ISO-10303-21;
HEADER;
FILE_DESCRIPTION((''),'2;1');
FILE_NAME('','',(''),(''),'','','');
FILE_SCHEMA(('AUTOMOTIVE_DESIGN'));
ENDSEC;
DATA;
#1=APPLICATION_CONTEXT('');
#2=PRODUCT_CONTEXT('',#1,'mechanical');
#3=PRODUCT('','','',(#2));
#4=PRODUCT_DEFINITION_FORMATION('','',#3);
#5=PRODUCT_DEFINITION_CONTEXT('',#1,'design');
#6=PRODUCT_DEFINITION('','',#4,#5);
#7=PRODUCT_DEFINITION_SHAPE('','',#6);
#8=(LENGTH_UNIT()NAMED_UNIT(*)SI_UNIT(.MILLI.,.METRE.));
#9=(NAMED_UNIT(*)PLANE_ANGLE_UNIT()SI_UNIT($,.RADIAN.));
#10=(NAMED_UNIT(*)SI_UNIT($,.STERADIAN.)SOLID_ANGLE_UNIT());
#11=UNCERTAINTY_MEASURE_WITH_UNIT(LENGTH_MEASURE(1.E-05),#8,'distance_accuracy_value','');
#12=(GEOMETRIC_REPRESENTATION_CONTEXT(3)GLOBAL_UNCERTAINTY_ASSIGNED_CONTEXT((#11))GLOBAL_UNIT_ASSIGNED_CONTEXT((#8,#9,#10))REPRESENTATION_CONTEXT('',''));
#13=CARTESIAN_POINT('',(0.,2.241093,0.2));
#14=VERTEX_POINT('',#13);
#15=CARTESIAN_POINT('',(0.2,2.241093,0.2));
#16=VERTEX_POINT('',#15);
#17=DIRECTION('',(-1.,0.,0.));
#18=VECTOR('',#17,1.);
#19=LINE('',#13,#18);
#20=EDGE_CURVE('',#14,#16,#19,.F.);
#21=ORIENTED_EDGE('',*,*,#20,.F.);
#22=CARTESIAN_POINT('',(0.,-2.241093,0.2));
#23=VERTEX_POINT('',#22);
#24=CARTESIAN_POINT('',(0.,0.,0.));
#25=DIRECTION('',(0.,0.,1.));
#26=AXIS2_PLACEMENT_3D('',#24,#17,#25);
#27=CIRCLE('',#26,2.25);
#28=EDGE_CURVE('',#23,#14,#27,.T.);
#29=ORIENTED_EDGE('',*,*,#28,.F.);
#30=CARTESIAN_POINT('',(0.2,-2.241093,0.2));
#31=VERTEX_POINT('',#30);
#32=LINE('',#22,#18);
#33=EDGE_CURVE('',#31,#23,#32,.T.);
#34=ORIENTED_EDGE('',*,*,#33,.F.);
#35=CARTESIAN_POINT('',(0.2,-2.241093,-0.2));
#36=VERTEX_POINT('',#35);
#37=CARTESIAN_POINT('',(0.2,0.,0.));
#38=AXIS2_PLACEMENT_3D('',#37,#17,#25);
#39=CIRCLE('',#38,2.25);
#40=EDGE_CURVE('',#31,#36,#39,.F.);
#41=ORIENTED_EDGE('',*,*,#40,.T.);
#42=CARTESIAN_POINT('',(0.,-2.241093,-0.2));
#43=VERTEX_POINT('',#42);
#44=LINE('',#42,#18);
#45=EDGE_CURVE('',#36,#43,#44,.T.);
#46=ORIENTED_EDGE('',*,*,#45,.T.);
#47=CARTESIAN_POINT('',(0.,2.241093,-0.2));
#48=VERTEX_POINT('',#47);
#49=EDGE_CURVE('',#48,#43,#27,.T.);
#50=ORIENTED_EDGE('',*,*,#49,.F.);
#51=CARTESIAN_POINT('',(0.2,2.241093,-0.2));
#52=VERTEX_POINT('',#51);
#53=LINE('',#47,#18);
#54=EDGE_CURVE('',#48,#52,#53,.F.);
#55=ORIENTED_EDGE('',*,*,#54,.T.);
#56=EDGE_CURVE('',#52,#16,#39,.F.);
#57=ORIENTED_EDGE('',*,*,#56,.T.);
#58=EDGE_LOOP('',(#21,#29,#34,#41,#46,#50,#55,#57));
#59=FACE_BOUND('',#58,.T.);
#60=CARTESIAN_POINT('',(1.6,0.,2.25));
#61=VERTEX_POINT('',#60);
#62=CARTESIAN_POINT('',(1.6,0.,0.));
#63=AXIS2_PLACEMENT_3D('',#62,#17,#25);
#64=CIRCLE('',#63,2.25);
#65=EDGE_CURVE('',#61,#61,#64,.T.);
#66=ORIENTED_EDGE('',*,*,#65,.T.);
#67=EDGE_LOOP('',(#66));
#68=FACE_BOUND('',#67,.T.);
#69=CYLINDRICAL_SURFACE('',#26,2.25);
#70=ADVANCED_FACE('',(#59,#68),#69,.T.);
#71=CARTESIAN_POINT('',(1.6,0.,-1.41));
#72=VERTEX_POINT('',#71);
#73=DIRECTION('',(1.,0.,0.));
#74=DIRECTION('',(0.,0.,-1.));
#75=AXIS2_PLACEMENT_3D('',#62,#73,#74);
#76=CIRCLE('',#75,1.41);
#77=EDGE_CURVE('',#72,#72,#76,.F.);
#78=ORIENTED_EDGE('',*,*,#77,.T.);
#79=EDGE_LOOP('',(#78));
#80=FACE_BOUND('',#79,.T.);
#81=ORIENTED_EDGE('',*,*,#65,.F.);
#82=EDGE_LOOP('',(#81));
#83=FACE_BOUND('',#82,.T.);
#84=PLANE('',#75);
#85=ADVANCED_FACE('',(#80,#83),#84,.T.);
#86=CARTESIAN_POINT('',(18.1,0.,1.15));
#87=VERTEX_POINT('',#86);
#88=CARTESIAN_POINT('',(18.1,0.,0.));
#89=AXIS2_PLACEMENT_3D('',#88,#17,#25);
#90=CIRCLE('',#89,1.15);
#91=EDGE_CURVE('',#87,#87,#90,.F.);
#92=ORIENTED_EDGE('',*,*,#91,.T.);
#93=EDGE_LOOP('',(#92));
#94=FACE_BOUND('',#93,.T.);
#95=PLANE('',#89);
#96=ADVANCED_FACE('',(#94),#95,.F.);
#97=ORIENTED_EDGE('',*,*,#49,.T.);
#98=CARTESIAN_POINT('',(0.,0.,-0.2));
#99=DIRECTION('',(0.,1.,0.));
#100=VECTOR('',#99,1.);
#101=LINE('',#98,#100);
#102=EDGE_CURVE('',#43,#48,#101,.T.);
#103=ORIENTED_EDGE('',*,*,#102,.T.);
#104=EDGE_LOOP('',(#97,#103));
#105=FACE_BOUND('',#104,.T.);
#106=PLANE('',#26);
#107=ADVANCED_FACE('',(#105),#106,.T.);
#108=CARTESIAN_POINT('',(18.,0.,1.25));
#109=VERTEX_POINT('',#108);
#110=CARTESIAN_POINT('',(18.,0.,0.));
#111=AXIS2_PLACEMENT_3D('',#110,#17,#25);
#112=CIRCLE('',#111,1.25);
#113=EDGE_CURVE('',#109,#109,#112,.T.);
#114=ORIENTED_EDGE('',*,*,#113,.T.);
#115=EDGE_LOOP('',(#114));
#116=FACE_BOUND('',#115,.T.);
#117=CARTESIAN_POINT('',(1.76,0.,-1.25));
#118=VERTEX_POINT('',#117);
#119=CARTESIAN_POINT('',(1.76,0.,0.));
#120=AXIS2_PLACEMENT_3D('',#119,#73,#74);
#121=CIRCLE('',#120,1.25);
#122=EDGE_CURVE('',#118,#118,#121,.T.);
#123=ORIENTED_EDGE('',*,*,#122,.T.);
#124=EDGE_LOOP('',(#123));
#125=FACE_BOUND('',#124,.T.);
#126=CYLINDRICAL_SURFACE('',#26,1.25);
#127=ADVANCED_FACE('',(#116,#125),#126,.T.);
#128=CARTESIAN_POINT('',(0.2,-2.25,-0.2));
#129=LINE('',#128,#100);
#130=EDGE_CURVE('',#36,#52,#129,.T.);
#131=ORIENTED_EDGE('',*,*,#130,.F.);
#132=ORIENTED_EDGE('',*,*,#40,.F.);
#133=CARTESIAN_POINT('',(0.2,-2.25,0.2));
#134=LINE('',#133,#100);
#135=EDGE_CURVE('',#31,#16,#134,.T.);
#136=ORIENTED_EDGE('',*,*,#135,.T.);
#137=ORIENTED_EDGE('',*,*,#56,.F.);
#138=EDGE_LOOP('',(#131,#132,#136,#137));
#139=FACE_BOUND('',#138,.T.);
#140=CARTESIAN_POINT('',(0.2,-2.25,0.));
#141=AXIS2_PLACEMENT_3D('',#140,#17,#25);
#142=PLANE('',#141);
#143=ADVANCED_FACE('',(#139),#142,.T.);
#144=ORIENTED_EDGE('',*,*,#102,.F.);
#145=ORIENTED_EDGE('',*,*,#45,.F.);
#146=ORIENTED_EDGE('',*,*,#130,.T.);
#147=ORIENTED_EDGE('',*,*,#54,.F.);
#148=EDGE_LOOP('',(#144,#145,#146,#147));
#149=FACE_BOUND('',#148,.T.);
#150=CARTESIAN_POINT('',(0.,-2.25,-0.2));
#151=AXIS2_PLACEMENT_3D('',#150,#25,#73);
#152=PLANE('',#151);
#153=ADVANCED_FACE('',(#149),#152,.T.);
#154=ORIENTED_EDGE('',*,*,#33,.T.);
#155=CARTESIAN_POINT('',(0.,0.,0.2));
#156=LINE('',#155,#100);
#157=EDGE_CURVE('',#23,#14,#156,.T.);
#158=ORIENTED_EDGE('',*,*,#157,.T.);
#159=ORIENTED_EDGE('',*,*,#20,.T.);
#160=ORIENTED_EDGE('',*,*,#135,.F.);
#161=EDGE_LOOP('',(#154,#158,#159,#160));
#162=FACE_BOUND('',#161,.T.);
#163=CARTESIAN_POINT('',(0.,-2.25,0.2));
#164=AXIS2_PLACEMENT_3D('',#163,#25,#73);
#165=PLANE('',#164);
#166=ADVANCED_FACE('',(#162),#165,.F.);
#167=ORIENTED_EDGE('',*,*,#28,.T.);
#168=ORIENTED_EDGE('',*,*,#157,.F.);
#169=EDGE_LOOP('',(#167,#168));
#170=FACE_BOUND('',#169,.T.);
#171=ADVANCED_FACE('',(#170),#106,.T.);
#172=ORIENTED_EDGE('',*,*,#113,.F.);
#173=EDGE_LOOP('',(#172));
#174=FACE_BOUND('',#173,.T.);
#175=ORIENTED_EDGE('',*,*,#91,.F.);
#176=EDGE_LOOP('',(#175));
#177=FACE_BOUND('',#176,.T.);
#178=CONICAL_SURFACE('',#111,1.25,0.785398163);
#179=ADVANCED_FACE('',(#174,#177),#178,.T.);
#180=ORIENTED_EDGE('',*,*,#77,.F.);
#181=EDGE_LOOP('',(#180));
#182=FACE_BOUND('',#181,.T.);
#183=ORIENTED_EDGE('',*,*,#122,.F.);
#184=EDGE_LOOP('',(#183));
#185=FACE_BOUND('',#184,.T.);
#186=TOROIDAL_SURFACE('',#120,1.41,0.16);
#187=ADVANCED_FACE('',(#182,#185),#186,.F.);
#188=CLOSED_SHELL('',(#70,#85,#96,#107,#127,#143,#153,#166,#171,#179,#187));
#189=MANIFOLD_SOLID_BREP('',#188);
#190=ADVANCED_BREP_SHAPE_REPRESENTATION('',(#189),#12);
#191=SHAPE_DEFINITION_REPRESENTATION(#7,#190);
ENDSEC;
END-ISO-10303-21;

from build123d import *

# Parameters (mm, degrees)
CHAMFER1_SIZE       = 0.1
FILLET1_R           = 0.16
EXTRUDE1_DEPTH      = 19.377567848
EXTRUDE1_DEPTH_BACK = 19.377567848
SKETCH2_W           = 0.2
SKETCH2_H           = 0.2


with BuildPart() as part:
    # Sketch1 → Revolve1 (revolve)
    with BuildSketch(Plane.XY, mode=Mode.PRIVATE) as revolve1_sk:
        Polygon((0, 2.25), (0, 0), (18.1, 0), (18.1, 1.25), (1.6, 1.25), (1.6, 2.25), align=None)
    revolve(revolve1_sk.sketch.rotate(Axis((0, 0, 0), (1, 0, 0)), 90), axis=Axis((0, 0, 0), (1, 0, 0)))

    # Chamfer1
    chamfer1_edges = [part.edges().sort_by_distance(p)[0] for p in [
        (18.1, 0, -1.25),
    ]]
    chamfer(chamfer1_edges, length=CHAMFER1_SIZE)

    # Fillet1
    fillet1_edges = [part.edges().sort_by_distance(p)[0] for p in [
        (1.6, 0, -1.25),
    ]]
    fillet(fillet1_edges, radius=FILLET1_R)

    # Sketch2 → Extrude1 (cut, two sides: drawn at the far end of the back side and taken through both)
    with BuildSketch(Plane(origin=(0, 0, 0), x_dir=(1, 0, 0), z_dir=(0, 1, 0)).offset(-EXTRUDE1_DEPTH_BACK)):
        with Locations((0.1, -0.1)):
            Rectangle(SKETCH2_W, SKETCH2_H)
        with Locations((0.1, 0.1)):
            Rectangle(SKETCH2_W, SKETCH2_H)
    extrude(amount=EXTRUDE1_DEPTH + EXTRUDE1_DEPTH_BACK, mode=Mode.SUBTRACT)


solid = part.part
